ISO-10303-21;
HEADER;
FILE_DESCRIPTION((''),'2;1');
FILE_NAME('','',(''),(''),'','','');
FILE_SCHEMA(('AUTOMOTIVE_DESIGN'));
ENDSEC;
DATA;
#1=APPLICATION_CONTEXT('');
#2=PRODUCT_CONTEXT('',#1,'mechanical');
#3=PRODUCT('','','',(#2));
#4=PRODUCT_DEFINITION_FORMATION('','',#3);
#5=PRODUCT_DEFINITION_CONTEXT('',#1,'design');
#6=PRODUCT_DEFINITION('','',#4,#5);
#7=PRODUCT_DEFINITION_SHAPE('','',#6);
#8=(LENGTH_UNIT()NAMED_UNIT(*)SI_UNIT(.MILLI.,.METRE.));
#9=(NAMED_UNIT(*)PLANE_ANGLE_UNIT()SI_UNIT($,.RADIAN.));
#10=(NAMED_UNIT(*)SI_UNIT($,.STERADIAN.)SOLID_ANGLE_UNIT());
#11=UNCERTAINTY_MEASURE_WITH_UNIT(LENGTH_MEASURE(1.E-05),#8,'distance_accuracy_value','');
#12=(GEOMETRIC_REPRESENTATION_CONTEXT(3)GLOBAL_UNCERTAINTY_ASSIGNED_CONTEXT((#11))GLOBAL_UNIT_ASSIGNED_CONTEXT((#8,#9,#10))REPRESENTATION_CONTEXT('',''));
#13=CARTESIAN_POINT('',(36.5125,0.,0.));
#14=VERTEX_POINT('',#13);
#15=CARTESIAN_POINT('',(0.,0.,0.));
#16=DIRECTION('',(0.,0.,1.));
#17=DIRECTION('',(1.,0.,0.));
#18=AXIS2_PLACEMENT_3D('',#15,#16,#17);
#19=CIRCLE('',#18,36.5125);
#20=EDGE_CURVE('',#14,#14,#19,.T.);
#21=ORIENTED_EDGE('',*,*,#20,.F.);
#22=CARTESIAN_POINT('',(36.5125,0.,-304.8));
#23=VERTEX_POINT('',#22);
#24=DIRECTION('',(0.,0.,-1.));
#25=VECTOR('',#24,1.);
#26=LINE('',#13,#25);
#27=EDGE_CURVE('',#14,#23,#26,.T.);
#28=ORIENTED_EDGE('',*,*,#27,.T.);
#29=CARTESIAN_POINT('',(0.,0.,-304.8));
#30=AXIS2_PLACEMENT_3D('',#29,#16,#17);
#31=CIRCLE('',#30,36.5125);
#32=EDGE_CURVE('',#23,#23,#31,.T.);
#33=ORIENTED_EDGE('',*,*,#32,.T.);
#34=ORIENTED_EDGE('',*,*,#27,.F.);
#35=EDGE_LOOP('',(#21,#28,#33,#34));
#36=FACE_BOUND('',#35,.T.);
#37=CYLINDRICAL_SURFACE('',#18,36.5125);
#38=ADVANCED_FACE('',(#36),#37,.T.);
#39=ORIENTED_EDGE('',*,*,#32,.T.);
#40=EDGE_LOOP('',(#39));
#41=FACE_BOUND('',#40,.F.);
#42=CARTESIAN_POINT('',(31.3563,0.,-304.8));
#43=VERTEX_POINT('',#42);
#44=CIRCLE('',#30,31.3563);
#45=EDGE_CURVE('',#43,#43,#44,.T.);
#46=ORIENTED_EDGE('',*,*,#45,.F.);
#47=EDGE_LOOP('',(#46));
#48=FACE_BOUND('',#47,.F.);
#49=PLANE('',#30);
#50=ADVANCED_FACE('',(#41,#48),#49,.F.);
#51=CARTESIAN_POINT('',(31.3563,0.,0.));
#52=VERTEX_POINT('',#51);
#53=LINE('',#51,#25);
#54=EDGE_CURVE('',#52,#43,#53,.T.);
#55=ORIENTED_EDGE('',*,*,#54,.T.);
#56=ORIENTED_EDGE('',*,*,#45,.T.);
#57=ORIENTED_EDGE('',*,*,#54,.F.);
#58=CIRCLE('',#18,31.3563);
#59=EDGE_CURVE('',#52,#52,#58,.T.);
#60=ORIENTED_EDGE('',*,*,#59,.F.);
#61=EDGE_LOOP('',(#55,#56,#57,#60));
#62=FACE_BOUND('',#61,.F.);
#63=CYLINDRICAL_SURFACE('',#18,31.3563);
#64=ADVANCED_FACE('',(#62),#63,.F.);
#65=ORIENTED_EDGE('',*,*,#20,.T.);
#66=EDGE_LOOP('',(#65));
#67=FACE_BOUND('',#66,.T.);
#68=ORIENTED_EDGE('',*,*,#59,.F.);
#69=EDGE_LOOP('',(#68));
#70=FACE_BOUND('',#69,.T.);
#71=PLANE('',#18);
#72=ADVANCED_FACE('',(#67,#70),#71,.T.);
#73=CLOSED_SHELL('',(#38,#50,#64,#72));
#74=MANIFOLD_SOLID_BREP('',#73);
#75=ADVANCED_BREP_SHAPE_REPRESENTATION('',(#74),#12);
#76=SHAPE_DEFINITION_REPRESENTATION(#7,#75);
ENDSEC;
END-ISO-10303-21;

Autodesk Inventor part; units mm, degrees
ref_plane "YZ Plane" through (0, 0, 0) normal (1, 0, 0) x (0, 1, 0)
ref_plane "XZ Plane" through (0, 0, 0) normal (0, 1, 0) x (-1, 0, 0)
ref_plane "XY Plane" through (0, 0, 0) normal (0, 0, 1) x (1, 0, 0)
sketch "Sketch1" plane through (0, 0, 0) normal (0, 0, 1) x (1, 0, 0)
  circle A0 centre (0, 0) radius 31.3563
  circle A1 centre (0, 0) radius 36.5125
  dimension "d0" = 62.7126
  dimension "d1" = 73.025
extrude "Extrusion1" add sketch "Sketch1" against normal blind 304.8
properties part number "2_5-inch schedule 40" material "PVC-Piping"
